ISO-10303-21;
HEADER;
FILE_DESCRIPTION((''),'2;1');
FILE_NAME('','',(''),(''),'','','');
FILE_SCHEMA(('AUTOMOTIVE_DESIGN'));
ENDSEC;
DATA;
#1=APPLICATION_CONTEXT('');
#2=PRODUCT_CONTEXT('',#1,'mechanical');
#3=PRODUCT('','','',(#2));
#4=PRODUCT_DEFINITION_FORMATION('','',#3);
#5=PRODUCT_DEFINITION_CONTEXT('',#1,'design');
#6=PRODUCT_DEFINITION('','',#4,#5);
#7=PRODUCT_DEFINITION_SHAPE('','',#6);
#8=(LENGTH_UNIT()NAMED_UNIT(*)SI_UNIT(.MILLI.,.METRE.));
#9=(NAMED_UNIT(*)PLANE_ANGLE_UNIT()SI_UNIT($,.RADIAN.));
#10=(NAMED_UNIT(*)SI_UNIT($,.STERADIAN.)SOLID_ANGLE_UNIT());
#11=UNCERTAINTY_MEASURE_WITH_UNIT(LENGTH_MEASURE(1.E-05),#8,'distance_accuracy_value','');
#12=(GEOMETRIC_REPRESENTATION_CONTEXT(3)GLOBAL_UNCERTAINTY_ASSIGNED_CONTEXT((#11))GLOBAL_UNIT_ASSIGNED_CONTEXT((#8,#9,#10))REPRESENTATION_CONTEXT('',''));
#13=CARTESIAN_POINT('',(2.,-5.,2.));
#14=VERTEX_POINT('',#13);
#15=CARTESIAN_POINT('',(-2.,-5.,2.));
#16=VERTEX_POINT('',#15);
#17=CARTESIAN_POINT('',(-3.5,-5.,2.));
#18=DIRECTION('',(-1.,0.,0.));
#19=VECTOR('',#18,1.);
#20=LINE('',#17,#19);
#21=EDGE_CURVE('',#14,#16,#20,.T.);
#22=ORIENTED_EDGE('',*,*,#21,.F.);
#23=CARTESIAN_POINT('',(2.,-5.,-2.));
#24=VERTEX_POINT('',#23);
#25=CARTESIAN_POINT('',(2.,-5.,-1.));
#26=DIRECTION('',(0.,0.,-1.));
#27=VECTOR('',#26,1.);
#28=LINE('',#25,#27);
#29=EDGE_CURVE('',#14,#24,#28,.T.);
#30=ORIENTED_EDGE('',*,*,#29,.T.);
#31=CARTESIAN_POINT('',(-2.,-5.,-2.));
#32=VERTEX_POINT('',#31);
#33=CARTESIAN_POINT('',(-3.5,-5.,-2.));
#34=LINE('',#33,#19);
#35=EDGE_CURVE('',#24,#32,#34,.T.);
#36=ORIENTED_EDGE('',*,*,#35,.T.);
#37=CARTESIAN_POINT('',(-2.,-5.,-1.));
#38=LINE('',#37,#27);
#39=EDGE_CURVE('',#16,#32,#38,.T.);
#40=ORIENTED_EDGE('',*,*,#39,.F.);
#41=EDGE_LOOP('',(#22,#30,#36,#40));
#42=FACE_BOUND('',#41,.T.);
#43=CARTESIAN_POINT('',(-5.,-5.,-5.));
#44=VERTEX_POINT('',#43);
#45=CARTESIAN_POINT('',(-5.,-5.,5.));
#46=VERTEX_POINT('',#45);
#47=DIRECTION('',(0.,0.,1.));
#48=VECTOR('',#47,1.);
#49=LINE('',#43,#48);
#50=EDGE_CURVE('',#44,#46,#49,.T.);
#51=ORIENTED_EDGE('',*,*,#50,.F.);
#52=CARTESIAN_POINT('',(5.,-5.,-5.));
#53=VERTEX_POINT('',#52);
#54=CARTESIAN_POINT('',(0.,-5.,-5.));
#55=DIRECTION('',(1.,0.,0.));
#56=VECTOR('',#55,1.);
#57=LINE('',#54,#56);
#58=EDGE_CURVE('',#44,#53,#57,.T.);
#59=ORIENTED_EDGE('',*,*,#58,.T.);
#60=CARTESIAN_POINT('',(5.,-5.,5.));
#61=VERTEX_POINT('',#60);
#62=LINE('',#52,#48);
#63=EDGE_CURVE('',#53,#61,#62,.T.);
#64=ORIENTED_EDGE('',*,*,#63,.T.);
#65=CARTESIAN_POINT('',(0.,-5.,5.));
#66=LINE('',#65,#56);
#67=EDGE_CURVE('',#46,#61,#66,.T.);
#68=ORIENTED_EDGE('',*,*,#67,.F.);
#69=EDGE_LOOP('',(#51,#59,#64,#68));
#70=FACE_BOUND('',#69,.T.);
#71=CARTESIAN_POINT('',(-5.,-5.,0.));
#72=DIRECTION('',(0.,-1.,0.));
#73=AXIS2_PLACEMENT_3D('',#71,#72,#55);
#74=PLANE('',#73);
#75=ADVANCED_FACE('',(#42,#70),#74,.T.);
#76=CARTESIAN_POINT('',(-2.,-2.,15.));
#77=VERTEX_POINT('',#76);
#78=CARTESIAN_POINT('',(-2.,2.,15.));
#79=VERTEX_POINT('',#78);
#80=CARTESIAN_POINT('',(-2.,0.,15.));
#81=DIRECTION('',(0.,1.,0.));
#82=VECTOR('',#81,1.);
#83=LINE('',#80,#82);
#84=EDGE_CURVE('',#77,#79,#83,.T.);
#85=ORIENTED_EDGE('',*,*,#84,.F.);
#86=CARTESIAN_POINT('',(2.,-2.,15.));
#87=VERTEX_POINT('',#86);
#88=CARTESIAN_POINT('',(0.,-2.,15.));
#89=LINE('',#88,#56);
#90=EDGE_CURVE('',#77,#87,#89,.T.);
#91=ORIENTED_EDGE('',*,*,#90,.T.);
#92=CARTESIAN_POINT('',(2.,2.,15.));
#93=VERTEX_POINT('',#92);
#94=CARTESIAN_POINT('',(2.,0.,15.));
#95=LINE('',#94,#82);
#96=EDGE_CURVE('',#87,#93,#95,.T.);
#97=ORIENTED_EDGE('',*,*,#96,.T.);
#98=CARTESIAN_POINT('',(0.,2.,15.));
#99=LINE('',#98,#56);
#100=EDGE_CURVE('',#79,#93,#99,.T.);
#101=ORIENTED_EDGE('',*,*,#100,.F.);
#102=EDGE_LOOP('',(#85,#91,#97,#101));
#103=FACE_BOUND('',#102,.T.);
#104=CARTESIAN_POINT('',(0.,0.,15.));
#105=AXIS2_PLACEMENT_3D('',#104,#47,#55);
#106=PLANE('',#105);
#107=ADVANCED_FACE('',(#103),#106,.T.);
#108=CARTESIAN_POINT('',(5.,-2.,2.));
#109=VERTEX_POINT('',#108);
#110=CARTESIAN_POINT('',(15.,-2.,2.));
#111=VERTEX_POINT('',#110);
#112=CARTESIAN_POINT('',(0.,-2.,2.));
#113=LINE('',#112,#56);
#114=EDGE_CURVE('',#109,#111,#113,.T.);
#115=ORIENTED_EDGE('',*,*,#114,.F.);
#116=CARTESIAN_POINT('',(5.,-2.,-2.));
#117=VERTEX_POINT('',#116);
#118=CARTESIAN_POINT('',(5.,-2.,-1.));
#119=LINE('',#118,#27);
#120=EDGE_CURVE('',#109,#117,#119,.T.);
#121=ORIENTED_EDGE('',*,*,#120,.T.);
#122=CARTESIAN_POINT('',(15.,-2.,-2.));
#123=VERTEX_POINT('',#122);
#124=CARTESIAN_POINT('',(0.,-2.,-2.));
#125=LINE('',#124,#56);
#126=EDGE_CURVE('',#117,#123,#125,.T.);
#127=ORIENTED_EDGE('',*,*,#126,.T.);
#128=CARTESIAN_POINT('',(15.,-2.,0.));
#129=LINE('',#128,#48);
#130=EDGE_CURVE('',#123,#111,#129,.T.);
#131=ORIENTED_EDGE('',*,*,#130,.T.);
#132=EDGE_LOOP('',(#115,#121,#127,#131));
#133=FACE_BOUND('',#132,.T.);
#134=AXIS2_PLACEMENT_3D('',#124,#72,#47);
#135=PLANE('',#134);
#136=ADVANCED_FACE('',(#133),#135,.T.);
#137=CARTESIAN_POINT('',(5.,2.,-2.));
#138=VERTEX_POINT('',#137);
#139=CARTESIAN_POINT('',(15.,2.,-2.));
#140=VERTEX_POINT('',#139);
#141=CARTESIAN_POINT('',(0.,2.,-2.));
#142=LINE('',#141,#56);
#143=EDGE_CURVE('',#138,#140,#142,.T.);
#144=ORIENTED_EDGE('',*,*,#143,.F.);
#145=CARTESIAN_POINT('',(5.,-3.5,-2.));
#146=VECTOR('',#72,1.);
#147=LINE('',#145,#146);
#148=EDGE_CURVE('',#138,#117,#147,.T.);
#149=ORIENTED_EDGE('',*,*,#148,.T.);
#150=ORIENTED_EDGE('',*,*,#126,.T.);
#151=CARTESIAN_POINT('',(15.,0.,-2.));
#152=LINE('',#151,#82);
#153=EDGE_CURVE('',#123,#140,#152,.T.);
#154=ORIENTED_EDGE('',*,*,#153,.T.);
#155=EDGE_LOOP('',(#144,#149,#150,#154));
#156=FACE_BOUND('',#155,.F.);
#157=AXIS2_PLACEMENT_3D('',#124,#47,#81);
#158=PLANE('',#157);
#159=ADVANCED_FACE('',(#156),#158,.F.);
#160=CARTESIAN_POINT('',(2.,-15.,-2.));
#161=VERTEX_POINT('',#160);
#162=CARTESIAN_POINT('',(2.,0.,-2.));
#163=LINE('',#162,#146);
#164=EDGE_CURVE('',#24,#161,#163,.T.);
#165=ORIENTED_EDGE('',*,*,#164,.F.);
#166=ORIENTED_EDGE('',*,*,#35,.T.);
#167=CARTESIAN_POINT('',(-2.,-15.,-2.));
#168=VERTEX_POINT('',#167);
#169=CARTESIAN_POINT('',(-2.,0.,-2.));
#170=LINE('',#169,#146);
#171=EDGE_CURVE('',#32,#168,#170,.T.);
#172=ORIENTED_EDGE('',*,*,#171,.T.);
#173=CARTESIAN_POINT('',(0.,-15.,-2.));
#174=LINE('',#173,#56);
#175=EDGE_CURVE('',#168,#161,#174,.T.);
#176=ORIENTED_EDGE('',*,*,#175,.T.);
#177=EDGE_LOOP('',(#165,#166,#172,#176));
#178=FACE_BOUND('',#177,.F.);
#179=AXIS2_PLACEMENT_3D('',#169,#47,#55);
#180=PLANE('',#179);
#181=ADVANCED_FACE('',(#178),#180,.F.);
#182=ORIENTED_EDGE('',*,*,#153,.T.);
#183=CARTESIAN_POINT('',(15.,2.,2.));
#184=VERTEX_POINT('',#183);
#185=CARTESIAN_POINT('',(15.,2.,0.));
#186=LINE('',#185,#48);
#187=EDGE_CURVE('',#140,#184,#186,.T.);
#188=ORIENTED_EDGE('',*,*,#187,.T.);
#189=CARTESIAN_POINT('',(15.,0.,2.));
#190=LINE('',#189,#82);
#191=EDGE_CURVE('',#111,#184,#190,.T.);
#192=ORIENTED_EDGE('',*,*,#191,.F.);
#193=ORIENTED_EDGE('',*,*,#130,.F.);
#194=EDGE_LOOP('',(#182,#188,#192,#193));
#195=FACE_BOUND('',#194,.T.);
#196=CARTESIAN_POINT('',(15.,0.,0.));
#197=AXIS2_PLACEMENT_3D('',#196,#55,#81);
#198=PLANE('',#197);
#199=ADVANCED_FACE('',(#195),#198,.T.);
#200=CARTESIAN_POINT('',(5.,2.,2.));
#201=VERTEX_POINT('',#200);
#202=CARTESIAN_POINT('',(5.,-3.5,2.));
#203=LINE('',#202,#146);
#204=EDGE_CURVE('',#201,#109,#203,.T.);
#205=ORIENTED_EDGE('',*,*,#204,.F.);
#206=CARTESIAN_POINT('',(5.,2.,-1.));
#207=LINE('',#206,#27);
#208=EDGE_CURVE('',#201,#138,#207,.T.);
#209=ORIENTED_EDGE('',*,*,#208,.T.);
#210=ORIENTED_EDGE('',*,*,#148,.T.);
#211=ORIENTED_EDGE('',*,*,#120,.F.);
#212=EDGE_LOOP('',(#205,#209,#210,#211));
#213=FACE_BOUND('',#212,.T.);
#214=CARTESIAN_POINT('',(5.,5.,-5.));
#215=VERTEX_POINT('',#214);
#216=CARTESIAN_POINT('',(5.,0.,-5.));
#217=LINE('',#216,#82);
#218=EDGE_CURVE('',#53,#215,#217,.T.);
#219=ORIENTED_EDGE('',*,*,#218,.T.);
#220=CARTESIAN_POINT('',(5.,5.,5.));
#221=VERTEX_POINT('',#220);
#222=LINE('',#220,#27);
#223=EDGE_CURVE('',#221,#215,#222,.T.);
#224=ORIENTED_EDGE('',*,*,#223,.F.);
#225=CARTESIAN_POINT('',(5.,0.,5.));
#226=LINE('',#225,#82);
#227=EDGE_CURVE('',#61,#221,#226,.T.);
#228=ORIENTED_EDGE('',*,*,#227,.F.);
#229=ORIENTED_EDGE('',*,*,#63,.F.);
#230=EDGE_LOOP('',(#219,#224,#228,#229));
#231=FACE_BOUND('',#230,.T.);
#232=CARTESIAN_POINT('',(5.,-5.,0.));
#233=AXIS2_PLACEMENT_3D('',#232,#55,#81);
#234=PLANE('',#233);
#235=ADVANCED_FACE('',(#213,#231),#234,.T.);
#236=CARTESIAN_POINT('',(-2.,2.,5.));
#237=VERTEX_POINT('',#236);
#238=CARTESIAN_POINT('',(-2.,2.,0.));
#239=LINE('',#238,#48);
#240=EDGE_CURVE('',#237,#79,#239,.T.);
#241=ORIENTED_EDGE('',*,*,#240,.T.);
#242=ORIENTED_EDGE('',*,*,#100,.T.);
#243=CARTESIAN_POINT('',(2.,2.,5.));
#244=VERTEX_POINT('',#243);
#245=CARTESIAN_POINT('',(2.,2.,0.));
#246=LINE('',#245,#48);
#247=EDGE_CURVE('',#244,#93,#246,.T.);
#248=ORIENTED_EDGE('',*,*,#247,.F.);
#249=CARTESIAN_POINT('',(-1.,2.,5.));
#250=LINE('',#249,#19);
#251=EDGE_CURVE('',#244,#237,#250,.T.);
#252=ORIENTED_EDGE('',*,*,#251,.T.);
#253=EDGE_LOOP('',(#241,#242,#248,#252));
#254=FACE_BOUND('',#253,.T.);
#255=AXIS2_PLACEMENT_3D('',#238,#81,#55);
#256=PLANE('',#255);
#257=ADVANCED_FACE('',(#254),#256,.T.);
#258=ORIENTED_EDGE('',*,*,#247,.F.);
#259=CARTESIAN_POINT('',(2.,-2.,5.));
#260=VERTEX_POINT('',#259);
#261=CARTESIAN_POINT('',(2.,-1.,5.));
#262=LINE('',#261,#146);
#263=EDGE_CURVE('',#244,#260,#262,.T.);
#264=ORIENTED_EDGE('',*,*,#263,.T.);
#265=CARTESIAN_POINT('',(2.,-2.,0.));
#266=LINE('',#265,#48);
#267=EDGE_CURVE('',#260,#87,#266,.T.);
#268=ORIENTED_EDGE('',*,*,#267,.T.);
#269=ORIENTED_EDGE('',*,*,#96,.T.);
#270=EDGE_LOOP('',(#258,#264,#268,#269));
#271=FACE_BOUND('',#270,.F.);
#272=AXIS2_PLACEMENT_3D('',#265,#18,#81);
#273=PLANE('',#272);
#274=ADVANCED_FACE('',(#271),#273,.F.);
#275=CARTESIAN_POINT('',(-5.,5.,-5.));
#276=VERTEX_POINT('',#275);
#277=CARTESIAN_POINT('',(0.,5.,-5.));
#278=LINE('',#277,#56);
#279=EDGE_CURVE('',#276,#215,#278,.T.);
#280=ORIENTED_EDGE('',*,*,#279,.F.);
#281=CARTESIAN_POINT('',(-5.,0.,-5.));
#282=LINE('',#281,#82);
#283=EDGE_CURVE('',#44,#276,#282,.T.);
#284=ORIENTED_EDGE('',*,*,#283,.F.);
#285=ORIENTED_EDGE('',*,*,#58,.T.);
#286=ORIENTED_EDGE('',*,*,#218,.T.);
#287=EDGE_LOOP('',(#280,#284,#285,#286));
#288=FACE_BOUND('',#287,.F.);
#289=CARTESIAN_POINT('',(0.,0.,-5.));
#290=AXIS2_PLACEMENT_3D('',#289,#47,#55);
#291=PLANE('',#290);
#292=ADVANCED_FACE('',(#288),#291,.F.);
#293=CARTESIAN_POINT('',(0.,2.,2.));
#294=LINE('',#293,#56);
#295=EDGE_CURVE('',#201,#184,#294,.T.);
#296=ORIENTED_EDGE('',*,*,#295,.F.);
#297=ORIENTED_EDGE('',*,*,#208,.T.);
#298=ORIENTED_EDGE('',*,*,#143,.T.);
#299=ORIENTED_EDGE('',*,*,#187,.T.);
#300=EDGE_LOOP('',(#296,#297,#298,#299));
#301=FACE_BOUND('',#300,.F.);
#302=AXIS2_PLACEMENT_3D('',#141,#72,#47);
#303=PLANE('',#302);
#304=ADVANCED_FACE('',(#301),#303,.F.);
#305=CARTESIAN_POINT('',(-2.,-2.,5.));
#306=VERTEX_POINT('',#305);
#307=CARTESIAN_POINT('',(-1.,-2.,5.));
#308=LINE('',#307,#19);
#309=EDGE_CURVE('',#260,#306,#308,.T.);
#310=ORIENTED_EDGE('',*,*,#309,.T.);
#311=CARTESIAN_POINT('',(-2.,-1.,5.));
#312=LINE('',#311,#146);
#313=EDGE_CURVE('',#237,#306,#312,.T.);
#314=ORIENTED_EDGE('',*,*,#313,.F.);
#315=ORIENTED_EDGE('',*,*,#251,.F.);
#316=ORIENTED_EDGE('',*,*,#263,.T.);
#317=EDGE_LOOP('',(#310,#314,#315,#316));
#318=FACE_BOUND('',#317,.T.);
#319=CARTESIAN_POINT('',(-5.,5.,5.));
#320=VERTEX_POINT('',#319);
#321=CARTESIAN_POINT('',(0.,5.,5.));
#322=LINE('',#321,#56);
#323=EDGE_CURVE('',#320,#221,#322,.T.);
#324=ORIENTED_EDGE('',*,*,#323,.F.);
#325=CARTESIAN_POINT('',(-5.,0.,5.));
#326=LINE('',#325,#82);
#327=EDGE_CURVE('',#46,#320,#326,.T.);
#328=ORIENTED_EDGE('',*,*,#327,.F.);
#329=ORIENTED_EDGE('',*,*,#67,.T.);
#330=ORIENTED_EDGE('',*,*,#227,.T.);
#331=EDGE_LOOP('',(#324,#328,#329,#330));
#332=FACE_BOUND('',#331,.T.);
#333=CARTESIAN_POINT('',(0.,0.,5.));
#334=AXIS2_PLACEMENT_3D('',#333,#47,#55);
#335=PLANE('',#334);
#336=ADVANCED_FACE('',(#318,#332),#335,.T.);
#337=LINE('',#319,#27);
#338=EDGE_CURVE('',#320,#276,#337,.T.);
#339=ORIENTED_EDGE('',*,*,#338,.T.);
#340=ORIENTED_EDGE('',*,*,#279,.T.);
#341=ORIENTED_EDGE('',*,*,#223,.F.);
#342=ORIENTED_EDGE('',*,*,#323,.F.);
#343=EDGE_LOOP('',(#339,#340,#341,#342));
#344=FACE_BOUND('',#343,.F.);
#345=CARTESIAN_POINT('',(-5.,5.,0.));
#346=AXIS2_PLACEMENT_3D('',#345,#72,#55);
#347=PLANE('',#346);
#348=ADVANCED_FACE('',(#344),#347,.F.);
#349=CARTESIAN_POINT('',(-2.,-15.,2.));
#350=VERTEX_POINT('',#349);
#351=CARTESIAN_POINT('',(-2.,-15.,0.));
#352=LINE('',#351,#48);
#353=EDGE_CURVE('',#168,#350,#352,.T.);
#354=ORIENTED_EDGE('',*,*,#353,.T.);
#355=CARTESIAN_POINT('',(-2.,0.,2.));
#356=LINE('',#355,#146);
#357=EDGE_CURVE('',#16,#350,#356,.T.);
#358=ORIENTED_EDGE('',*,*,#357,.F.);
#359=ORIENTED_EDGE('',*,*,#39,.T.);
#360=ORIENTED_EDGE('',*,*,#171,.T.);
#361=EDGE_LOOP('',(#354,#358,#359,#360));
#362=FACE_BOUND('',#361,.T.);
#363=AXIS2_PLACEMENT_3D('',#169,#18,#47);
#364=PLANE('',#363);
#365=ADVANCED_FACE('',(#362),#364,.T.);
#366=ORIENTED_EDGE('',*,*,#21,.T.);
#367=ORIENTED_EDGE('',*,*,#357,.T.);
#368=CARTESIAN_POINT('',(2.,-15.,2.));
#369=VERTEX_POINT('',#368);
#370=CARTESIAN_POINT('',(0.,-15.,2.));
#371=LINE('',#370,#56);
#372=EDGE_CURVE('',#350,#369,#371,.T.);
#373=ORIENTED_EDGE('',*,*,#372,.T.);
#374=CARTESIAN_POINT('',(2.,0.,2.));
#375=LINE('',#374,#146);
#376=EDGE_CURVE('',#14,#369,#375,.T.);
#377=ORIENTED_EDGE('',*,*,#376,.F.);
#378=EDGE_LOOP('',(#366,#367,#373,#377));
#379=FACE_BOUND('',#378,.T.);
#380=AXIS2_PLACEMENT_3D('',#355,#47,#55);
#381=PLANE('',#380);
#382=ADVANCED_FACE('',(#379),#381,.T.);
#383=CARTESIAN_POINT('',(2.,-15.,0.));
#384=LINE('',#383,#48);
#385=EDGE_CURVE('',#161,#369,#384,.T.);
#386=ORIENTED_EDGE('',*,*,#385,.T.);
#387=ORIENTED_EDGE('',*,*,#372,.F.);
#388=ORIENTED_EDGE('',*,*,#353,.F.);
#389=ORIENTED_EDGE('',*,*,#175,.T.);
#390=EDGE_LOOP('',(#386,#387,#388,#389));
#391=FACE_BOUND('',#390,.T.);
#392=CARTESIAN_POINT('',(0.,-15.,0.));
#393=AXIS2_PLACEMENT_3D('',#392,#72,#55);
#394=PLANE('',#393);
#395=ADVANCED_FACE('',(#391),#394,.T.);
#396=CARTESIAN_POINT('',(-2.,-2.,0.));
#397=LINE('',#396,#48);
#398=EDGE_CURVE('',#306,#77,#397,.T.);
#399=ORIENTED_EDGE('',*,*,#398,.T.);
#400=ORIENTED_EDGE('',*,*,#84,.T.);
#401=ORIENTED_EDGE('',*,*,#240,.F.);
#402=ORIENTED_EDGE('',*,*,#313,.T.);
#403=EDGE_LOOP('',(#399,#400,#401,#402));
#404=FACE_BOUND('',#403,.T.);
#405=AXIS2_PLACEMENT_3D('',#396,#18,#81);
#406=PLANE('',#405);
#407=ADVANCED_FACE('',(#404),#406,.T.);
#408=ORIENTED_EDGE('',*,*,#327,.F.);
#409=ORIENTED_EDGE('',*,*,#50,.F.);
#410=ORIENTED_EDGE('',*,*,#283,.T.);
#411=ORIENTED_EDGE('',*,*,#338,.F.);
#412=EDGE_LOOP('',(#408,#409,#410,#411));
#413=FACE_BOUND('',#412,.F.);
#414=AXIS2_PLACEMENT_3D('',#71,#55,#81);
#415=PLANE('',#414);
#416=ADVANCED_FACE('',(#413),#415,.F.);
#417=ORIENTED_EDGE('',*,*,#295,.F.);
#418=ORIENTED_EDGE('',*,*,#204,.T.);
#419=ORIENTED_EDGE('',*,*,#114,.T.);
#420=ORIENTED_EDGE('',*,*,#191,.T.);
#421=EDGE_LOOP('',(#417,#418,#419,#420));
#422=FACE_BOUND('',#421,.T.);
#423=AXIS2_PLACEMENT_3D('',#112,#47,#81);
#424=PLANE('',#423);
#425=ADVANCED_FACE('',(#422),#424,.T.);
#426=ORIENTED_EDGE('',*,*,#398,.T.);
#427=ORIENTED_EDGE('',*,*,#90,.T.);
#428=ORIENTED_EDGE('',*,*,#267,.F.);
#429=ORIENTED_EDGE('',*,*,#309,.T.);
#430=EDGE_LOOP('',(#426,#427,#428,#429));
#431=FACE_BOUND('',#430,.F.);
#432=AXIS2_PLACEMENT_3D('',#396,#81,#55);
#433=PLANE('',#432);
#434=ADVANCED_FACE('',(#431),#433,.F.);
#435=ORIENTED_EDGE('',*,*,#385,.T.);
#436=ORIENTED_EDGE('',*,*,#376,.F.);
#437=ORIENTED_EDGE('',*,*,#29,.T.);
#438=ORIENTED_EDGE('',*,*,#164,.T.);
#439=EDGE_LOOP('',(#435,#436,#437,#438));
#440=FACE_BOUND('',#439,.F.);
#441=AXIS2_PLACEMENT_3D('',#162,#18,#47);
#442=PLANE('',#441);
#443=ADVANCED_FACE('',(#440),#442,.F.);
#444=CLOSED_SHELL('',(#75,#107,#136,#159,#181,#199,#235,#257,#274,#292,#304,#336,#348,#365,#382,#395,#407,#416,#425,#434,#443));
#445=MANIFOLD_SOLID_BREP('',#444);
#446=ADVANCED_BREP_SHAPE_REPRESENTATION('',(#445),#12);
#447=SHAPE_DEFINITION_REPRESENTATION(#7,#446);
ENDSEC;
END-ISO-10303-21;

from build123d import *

# Parameters (mm, degrees)
F0_W     = 10
F0_H     = 10
F1_DEPTH = 5
F2_W     = 4
F2_H     = 4
F3_DEPTH = 15
F4_W     = 4
F4_H     = 4
F5_DEPTH = 15
F6_W     = 4
F6_H     = 4
F7_DEPTH = 15


with BuildPart() as f1:
    # F0 (on Top) → F1 (new body, symmetric)
    with BuildSketch(Plane.XY):
        Rectangle(F0_W, F0_H)
    extrude(amount=F1_DEPTH, both=True)

    # F2 (on Top) → F3 (join)
    with BuildSketch(Plane.XY):
        Rectangle(F2_W, F2_H)
    extrude(amount=F3_DEPTH)

    # F4 (on Front) → F5 (join)
    with BuildSketch(Plane.XZ):
        Rectangle(F4_W, F4_H)
    extrude(amount=F5_DEPTH)

    # F6 (on Right) → F7 (join)
    with BuildSketch(Plane.YZ):
        Rectangle(F6_W, F6_H)
    extrude(amount=F7_DEPTH)


solid = f1.part
